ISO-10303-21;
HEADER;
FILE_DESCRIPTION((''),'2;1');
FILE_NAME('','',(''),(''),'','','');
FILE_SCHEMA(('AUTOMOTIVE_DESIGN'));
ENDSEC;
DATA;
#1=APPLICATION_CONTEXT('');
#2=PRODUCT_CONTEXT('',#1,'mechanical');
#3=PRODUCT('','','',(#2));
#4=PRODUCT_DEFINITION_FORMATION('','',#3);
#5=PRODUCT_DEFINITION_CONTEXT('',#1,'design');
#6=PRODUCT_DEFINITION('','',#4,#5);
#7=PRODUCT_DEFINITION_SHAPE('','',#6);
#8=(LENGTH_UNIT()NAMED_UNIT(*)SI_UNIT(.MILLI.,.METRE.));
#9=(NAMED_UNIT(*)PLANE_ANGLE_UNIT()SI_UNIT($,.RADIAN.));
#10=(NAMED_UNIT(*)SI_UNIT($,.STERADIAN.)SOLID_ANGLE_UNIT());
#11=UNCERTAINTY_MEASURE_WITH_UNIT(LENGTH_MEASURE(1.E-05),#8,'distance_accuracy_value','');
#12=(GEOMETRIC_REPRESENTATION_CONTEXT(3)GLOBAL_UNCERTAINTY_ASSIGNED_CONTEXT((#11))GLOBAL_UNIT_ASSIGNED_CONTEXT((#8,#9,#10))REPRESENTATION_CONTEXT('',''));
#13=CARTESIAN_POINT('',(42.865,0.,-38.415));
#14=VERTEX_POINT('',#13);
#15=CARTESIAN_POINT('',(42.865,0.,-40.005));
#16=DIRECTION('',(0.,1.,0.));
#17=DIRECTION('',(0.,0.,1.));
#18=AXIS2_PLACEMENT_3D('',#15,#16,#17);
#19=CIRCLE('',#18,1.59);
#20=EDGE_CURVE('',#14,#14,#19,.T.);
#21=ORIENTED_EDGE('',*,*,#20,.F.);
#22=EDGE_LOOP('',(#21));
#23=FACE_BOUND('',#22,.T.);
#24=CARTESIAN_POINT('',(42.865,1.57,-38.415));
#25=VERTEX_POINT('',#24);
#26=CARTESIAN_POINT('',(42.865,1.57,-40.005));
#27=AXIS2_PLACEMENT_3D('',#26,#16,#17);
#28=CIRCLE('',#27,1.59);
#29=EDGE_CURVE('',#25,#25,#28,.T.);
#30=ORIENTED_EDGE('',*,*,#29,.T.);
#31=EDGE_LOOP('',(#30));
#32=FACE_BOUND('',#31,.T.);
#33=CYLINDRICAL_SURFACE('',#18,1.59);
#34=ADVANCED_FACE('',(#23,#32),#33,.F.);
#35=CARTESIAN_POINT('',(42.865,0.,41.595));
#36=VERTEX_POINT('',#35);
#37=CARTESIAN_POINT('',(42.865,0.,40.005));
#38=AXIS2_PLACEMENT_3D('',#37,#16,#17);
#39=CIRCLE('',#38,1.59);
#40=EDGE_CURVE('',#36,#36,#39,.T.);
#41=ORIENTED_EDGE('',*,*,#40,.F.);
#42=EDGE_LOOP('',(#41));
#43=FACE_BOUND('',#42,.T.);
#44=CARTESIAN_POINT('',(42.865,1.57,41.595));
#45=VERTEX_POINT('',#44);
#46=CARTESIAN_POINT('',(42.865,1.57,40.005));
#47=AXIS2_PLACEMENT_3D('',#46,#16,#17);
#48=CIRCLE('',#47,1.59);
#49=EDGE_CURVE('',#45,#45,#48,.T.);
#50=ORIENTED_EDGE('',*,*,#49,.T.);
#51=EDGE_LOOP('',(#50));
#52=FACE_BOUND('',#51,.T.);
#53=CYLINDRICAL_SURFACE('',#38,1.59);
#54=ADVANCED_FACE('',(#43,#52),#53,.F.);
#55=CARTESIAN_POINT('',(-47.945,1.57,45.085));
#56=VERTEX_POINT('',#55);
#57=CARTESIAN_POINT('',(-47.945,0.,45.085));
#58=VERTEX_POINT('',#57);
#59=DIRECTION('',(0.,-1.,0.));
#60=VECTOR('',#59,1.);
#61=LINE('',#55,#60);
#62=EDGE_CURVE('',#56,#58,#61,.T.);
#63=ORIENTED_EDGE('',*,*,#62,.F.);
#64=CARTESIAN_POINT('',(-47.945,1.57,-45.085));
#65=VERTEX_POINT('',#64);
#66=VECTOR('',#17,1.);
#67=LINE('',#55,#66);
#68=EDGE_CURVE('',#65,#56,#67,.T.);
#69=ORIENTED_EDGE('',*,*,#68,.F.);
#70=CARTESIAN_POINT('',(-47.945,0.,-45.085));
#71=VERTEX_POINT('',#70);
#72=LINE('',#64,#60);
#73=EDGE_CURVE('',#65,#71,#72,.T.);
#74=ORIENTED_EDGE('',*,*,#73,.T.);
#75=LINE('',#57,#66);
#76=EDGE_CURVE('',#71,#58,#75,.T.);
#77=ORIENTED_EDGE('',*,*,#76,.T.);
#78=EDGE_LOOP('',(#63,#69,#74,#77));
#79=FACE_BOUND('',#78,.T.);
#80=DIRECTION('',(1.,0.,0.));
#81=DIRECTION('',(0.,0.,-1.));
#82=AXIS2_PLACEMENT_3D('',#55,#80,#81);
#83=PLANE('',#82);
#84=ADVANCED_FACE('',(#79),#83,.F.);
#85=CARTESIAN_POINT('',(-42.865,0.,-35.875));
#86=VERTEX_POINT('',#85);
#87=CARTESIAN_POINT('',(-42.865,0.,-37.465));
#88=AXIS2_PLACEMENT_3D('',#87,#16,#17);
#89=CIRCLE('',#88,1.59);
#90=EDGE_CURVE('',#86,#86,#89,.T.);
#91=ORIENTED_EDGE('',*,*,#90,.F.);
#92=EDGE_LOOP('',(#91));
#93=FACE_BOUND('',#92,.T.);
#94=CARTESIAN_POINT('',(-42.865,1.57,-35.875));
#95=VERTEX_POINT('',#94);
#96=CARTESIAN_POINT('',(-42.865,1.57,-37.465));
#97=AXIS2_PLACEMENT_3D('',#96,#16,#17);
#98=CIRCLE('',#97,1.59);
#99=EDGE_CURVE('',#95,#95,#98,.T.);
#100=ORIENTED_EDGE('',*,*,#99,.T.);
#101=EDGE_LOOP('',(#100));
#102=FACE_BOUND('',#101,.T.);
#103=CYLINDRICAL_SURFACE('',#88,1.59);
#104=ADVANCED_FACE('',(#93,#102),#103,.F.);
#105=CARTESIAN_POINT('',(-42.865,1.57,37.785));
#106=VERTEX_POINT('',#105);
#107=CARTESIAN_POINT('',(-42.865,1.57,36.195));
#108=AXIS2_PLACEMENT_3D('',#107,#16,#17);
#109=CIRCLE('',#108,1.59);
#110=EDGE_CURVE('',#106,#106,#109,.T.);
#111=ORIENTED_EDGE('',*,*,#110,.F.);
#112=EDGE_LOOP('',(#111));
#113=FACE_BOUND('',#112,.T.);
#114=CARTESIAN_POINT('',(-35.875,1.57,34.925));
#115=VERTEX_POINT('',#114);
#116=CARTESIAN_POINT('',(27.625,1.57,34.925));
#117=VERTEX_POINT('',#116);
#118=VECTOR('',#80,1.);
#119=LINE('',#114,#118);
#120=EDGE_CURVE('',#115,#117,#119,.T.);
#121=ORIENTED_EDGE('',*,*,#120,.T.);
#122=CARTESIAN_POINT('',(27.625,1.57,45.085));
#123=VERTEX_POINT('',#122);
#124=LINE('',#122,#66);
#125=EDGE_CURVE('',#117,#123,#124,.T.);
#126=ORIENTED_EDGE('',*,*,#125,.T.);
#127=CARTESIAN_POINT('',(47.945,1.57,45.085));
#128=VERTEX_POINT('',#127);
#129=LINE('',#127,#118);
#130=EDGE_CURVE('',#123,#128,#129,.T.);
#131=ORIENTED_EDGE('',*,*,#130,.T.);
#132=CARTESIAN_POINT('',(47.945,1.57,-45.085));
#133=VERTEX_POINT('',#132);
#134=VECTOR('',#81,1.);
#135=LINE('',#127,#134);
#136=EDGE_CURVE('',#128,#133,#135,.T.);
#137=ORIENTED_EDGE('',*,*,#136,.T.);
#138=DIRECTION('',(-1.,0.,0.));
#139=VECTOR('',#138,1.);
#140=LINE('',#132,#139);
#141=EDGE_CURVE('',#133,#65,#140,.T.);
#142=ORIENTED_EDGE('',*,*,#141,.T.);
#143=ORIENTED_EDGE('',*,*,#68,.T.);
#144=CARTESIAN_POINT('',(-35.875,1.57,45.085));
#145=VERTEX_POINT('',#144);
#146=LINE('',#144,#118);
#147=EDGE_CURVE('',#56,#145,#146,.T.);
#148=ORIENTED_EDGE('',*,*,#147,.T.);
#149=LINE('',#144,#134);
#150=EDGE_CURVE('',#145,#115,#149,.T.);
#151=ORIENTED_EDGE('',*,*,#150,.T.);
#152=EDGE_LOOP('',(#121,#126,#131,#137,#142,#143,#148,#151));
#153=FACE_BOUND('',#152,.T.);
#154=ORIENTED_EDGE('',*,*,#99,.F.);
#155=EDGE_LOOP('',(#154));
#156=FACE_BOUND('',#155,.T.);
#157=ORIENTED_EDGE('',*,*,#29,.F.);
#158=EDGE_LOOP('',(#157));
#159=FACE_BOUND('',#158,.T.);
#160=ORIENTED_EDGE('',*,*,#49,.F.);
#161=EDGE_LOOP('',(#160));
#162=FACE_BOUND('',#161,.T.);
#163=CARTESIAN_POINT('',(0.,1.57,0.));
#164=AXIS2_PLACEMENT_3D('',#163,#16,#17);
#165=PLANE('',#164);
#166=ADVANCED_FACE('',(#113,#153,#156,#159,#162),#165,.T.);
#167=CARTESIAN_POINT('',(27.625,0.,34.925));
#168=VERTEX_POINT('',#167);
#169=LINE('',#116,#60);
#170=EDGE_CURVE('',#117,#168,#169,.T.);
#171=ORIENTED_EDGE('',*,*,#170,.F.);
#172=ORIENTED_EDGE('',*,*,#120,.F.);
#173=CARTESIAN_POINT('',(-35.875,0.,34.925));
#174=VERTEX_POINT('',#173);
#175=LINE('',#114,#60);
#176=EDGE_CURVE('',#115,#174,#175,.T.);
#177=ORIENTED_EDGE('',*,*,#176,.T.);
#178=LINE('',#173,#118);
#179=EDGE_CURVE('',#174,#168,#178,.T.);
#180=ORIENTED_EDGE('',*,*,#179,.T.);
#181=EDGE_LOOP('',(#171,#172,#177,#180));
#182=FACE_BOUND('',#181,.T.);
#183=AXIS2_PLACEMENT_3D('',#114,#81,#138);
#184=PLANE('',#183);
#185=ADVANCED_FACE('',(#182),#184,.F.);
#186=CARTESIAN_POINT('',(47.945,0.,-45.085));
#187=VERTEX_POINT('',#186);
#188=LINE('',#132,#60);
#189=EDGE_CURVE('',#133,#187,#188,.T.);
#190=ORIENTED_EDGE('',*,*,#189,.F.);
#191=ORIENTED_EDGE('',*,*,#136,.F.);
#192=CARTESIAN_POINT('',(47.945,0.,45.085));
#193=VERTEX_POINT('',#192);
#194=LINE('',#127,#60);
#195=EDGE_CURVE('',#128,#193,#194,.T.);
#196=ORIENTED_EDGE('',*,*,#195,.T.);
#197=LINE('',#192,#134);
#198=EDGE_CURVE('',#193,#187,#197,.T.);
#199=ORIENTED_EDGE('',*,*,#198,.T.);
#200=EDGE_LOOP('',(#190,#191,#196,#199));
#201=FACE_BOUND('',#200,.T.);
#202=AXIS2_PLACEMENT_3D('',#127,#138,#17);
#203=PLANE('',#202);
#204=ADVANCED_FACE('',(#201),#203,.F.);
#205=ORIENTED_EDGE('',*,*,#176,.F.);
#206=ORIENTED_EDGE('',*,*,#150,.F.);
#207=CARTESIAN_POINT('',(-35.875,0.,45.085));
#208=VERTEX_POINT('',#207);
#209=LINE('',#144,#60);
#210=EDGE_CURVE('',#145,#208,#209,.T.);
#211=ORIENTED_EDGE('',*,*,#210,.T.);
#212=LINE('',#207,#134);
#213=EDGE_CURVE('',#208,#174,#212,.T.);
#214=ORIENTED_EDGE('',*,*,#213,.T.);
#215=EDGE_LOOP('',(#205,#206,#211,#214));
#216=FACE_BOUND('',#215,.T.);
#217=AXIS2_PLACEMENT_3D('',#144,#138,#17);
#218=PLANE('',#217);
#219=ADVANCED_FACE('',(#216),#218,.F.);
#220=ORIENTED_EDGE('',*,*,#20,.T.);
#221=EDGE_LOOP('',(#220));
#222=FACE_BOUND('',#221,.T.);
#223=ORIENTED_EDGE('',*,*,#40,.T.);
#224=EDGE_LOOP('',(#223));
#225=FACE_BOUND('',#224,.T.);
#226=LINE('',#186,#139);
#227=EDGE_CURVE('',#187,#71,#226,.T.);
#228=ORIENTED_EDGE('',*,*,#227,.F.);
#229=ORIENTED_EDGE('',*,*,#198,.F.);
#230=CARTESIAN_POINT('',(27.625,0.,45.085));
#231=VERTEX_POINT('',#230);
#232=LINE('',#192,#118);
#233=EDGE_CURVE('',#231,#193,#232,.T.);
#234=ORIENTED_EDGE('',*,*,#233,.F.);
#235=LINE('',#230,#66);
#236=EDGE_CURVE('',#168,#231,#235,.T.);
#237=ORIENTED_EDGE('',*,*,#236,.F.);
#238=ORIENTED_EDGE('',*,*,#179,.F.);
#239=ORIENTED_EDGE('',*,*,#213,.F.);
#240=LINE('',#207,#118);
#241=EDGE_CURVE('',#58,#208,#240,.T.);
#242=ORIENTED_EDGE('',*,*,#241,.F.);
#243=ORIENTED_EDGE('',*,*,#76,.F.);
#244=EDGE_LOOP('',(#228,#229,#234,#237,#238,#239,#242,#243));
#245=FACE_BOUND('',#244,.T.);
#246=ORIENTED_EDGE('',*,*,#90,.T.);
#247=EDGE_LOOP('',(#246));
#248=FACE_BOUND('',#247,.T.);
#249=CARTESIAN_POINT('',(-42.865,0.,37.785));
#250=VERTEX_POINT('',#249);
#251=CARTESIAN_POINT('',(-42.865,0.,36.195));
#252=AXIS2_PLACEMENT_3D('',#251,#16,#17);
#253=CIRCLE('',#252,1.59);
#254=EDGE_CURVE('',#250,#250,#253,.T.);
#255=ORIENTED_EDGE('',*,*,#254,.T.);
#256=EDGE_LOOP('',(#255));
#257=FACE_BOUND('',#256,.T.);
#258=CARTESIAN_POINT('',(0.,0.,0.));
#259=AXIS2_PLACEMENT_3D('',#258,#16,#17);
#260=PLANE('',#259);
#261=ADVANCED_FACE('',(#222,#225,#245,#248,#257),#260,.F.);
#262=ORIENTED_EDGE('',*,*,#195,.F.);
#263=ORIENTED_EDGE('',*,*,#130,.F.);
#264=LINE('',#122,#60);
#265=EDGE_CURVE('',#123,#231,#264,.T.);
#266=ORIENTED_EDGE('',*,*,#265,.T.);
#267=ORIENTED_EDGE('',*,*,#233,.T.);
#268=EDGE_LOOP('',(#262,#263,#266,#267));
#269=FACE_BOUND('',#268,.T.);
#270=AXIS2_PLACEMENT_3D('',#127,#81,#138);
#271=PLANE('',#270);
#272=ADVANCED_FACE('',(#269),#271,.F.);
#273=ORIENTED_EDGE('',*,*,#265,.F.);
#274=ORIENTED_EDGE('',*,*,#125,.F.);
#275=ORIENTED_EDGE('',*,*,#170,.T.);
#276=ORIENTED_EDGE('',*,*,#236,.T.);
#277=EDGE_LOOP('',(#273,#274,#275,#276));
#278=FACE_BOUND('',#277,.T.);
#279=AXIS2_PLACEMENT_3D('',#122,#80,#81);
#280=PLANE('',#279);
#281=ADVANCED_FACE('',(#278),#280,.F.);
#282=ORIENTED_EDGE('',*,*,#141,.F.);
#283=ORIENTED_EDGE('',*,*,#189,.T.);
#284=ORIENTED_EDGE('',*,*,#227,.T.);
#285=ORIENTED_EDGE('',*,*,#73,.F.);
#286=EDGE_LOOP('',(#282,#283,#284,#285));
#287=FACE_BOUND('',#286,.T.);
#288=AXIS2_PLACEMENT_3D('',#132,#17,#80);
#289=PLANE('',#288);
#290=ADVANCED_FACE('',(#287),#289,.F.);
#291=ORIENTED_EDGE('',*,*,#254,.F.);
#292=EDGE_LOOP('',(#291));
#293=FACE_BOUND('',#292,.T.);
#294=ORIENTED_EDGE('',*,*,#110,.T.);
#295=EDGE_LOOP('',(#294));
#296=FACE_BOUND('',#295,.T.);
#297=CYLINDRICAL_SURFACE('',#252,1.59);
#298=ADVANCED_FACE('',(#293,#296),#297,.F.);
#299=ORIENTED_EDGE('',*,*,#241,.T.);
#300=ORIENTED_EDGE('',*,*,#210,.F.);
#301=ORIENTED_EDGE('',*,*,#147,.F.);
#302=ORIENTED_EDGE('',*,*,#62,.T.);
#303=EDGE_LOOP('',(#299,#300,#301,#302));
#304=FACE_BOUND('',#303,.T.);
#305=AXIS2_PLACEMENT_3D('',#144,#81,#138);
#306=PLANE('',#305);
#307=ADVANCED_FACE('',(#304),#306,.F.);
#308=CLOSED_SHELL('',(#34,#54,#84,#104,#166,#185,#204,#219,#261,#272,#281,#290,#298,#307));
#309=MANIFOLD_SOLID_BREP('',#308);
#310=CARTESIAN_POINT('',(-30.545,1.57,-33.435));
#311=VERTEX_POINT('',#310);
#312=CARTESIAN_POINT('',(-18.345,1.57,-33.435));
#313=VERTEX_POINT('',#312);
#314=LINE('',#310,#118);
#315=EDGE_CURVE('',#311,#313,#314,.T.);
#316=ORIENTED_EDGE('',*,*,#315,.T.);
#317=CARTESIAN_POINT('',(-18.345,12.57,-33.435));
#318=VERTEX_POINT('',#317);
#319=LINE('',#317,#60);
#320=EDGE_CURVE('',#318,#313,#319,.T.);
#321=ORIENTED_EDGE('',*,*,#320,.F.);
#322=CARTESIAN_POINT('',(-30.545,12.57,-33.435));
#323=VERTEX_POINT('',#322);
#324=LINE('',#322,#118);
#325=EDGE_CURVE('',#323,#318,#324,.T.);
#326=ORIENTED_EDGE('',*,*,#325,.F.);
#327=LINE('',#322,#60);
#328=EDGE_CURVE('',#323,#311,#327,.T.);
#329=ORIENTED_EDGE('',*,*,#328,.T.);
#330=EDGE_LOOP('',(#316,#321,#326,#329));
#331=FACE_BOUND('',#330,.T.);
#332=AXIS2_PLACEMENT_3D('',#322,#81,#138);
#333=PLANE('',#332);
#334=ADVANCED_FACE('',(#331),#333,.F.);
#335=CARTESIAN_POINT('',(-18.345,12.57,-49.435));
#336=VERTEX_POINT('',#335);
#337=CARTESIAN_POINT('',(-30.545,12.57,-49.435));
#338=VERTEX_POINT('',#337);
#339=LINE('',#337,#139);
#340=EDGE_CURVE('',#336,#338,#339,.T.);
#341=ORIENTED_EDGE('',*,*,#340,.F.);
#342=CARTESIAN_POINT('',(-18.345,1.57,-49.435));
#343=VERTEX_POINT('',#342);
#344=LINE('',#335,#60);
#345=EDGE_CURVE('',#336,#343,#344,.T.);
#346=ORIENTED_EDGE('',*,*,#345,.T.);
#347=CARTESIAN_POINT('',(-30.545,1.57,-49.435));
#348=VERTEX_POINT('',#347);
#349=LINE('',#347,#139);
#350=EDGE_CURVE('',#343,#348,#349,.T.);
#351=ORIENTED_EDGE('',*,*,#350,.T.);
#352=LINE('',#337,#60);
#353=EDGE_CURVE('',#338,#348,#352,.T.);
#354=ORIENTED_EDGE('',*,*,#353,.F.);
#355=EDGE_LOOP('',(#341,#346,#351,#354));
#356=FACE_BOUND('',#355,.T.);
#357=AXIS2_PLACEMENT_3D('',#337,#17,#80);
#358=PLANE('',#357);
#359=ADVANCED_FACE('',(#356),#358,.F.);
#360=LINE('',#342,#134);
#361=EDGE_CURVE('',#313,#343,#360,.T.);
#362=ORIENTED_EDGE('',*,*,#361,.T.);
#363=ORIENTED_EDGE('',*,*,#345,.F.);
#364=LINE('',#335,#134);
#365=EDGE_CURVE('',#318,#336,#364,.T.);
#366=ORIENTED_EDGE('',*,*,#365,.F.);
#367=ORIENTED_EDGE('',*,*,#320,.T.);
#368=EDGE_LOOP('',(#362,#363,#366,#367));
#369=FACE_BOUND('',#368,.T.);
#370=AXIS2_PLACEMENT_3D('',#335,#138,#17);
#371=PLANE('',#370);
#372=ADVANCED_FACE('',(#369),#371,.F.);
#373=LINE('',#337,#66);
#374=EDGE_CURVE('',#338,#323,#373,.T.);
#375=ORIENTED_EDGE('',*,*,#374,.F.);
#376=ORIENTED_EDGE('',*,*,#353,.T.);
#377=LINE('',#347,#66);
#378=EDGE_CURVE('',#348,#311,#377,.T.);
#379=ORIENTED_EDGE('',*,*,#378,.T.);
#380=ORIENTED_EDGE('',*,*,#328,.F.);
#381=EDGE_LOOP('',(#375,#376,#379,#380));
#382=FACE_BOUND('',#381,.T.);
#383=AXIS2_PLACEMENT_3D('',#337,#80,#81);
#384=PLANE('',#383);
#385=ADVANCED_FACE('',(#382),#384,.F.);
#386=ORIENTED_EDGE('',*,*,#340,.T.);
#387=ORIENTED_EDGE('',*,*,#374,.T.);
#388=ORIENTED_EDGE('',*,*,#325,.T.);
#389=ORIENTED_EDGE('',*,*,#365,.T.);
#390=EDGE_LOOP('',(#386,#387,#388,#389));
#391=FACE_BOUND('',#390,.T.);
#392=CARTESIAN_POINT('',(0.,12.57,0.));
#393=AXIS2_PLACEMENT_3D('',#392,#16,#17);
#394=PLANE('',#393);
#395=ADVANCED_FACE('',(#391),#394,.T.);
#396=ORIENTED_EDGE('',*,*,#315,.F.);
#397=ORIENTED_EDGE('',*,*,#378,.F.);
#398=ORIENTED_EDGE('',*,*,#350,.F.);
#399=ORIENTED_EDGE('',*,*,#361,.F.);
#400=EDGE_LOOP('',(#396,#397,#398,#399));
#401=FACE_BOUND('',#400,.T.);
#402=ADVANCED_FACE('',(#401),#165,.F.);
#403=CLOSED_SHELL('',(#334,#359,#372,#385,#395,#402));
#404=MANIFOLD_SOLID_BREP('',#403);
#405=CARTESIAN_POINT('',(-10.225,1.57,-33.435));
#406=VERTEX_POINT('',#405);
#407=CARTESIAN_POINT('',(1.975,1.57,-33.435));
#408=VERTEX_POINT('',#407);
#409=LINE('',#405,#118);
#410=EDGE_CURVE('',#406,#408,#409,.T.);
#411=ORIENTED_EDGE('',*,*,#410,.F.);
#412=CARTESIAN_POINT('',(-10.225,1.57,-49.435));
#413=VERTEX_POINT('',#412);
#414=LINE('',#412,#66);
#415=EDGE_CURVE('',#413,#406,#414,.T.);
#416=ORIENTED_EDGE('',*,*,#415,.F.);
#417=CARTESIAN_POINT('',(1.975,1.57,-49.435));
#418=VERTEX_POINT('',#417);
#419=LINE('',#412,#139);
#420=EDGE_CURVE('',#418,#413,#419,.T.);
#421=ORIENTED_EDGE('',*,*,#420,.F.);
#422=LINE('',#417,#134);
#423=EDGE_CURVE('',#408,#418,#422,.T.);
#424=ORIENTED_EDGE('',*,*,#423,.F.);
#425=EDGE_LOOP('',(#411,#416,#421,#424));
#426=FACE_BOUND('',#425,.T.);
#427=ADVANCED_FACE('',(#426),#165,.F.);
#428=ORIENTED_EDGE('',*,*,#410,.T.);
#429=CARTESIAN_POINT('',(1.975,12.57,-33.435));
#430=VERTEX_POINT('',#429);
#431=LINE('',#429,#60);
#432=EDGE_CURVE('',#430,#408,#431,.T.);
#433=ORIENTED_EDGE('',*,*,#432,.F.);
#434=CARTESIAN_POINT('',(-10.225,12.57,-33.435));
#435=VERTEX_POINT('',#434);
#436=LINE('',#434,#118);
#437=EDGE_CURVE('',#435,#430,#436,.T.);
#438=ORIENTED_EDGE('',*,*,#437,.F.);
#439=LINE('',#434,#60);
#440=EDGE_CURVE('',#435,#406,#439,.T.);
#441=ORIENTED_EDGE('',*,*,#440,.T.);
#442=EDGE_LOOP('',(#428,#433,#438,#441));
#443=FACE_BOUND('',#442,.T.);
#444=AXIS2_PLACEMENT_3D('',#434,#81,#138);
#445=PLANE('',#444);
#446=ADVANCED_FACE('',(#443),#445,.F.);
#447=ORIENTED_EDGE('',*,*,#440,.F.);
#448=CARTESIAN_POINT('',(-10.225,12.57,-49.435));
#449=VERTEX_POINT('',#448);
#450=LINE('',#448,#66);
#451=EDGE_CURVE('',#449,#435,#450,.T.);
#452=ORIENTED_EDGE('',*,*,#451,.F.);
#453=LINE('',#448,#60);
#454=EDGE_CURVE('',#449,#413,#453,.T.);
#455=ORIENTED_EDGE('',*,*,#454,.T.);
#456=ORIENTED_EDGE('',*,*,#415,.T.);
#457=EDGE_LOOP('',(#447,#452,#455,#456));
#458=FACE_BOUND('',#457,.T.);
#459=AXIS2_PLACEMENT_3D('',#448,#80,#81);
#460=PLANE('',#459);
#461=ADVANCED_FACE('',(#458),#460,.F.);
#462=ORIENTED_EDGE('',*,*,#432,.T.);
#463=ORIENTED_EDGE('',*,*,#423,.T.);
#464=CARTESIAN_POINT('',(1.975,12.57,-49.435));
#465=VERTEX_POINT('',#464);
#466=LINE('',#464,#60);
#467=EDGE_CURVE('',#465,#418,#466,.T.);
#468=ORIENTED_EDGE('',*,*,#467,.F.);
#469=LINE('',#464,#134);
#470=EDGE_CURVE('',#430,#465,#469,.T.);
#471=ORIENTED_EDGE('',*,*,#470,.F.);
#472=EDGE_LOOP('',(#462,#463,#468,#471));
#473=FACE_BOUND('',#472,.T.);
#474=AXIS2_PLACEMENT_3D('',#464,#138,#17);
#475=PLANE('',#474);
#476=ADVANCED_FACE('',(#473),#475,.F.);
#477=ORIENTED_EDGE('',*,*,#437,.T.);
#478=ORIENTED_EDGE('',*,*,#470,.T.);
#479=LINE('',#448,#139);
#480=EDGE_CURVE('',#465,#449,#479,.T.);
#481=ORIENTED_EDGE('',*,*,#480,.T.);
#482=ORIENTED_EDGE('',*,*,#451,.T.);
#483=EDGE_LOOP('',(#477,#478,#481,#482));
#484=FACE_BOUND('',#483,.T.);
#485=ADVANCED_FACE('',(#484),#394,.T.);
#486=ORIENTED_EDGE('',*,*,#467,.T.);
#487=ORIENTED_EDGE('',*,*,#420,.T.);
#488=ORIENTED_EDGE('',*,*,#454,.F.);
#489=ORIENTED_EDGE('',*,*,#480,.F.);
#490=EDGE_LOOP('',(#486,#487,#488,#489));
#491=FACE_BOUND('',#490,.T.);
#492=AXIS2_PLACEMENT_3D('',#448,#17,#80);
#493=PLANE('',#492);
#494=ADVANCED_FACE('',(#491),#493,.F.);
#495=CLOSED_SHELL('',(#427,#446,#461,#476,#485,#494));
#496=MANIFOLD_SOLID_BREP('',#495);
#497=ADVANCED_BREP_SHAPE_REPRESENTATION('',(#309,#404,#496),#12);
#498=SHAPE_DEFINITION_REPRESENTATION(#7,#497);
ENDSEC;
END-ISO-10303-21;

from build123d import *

# Parameters (mm, degrees)
BOSS_EXTRUDE1_DEPTH   = 1.57
SKETCH2_R             = 1.59
CUT_EXTRUDE1_DEPTH    = 66.831946272
SKETCH3_W             = 12.2
SKETCH3_H             = 16
BOSS_EXTRUDE2_DEPTH   = 11
BOSS_EXTRUDE2_2_DEPTH = 11


with BuildPart() as part:
    # Sketch1 → Boss-Extrude1 (new body)
    with BuildSketch(Plane(origin=(0, 0, 0), x_dir=(1, 0, 0), z_dir=(0, 1, 0))):
        Polygon((-35.875, -45.085), (-47.945, -45.085), (-47.945, 45.085), (47.945, 45.085), (47.945, -45.085), (27.625, -45.085), (27.625, -34.925), (-35.875, -34.925), align=None)
    extrude(amount=BOSS_EXTRUDE1_DEPTH)

    # Sketch2 → Cut-Extrude1 (cut, through all)
    with BuildSketch(Plane(origin=(0, 1.57, 0), x_dir=(1, 0, 0), z_dir=(0, 1, 0))):
        with Locations(Location((42.865, -40.005, 0), (0, 0, 270))):
            Circle(SKETCH2_R)
        with Locations(Location((-42.865, -36.195, 0), (0, 0, 270))):
            Circle(SKETCH2_R)
        with Locations(Location((-42.865, 37.465, 0), (0, 0, 270))):
            Circle(SKETCH2_R)
        with Locations(Location((42.865, 40.005, 0), (0, 0, 270))):
            Circle(SKETCH2_R)
    extrude(amount=-CUT_EXTRUDE1_DEPTH, mode=Mode.SUBTRACT)


with BuildPart() as body_2:
    # Sketch3 → Boss-Extrude2 (new body)
    with BuildSketch(Plane(origin=(0, 1.57, 0), x_dir=(1, 0, 0), z_dir=(0, 1, 0))):
        with Locations((-24.445, 41.435)):
            Rectangle(SKETCH3_W, SKETCH3_H)
    extrude(amount=BOSS_EXTRUDE2_DEPTH)


with BuildPart() as body_3:
    # Sketch3 → Boss-Extrude2 2 (new body)
    with BuildSketch(Plane(origin=(0, 1.57, 0), x_dir=(1, 0, 0), z_dir=(0, 1, 0))):
        with Locations((-4.125, 41.435)):
            Rectangle(SKETCH3_W, SKETCH3_H)
    extrude(amount=BOSS_EXTRUDE2_2_DEPTH)


solid = Compound([part.part, body_2.part, body_3.part])
